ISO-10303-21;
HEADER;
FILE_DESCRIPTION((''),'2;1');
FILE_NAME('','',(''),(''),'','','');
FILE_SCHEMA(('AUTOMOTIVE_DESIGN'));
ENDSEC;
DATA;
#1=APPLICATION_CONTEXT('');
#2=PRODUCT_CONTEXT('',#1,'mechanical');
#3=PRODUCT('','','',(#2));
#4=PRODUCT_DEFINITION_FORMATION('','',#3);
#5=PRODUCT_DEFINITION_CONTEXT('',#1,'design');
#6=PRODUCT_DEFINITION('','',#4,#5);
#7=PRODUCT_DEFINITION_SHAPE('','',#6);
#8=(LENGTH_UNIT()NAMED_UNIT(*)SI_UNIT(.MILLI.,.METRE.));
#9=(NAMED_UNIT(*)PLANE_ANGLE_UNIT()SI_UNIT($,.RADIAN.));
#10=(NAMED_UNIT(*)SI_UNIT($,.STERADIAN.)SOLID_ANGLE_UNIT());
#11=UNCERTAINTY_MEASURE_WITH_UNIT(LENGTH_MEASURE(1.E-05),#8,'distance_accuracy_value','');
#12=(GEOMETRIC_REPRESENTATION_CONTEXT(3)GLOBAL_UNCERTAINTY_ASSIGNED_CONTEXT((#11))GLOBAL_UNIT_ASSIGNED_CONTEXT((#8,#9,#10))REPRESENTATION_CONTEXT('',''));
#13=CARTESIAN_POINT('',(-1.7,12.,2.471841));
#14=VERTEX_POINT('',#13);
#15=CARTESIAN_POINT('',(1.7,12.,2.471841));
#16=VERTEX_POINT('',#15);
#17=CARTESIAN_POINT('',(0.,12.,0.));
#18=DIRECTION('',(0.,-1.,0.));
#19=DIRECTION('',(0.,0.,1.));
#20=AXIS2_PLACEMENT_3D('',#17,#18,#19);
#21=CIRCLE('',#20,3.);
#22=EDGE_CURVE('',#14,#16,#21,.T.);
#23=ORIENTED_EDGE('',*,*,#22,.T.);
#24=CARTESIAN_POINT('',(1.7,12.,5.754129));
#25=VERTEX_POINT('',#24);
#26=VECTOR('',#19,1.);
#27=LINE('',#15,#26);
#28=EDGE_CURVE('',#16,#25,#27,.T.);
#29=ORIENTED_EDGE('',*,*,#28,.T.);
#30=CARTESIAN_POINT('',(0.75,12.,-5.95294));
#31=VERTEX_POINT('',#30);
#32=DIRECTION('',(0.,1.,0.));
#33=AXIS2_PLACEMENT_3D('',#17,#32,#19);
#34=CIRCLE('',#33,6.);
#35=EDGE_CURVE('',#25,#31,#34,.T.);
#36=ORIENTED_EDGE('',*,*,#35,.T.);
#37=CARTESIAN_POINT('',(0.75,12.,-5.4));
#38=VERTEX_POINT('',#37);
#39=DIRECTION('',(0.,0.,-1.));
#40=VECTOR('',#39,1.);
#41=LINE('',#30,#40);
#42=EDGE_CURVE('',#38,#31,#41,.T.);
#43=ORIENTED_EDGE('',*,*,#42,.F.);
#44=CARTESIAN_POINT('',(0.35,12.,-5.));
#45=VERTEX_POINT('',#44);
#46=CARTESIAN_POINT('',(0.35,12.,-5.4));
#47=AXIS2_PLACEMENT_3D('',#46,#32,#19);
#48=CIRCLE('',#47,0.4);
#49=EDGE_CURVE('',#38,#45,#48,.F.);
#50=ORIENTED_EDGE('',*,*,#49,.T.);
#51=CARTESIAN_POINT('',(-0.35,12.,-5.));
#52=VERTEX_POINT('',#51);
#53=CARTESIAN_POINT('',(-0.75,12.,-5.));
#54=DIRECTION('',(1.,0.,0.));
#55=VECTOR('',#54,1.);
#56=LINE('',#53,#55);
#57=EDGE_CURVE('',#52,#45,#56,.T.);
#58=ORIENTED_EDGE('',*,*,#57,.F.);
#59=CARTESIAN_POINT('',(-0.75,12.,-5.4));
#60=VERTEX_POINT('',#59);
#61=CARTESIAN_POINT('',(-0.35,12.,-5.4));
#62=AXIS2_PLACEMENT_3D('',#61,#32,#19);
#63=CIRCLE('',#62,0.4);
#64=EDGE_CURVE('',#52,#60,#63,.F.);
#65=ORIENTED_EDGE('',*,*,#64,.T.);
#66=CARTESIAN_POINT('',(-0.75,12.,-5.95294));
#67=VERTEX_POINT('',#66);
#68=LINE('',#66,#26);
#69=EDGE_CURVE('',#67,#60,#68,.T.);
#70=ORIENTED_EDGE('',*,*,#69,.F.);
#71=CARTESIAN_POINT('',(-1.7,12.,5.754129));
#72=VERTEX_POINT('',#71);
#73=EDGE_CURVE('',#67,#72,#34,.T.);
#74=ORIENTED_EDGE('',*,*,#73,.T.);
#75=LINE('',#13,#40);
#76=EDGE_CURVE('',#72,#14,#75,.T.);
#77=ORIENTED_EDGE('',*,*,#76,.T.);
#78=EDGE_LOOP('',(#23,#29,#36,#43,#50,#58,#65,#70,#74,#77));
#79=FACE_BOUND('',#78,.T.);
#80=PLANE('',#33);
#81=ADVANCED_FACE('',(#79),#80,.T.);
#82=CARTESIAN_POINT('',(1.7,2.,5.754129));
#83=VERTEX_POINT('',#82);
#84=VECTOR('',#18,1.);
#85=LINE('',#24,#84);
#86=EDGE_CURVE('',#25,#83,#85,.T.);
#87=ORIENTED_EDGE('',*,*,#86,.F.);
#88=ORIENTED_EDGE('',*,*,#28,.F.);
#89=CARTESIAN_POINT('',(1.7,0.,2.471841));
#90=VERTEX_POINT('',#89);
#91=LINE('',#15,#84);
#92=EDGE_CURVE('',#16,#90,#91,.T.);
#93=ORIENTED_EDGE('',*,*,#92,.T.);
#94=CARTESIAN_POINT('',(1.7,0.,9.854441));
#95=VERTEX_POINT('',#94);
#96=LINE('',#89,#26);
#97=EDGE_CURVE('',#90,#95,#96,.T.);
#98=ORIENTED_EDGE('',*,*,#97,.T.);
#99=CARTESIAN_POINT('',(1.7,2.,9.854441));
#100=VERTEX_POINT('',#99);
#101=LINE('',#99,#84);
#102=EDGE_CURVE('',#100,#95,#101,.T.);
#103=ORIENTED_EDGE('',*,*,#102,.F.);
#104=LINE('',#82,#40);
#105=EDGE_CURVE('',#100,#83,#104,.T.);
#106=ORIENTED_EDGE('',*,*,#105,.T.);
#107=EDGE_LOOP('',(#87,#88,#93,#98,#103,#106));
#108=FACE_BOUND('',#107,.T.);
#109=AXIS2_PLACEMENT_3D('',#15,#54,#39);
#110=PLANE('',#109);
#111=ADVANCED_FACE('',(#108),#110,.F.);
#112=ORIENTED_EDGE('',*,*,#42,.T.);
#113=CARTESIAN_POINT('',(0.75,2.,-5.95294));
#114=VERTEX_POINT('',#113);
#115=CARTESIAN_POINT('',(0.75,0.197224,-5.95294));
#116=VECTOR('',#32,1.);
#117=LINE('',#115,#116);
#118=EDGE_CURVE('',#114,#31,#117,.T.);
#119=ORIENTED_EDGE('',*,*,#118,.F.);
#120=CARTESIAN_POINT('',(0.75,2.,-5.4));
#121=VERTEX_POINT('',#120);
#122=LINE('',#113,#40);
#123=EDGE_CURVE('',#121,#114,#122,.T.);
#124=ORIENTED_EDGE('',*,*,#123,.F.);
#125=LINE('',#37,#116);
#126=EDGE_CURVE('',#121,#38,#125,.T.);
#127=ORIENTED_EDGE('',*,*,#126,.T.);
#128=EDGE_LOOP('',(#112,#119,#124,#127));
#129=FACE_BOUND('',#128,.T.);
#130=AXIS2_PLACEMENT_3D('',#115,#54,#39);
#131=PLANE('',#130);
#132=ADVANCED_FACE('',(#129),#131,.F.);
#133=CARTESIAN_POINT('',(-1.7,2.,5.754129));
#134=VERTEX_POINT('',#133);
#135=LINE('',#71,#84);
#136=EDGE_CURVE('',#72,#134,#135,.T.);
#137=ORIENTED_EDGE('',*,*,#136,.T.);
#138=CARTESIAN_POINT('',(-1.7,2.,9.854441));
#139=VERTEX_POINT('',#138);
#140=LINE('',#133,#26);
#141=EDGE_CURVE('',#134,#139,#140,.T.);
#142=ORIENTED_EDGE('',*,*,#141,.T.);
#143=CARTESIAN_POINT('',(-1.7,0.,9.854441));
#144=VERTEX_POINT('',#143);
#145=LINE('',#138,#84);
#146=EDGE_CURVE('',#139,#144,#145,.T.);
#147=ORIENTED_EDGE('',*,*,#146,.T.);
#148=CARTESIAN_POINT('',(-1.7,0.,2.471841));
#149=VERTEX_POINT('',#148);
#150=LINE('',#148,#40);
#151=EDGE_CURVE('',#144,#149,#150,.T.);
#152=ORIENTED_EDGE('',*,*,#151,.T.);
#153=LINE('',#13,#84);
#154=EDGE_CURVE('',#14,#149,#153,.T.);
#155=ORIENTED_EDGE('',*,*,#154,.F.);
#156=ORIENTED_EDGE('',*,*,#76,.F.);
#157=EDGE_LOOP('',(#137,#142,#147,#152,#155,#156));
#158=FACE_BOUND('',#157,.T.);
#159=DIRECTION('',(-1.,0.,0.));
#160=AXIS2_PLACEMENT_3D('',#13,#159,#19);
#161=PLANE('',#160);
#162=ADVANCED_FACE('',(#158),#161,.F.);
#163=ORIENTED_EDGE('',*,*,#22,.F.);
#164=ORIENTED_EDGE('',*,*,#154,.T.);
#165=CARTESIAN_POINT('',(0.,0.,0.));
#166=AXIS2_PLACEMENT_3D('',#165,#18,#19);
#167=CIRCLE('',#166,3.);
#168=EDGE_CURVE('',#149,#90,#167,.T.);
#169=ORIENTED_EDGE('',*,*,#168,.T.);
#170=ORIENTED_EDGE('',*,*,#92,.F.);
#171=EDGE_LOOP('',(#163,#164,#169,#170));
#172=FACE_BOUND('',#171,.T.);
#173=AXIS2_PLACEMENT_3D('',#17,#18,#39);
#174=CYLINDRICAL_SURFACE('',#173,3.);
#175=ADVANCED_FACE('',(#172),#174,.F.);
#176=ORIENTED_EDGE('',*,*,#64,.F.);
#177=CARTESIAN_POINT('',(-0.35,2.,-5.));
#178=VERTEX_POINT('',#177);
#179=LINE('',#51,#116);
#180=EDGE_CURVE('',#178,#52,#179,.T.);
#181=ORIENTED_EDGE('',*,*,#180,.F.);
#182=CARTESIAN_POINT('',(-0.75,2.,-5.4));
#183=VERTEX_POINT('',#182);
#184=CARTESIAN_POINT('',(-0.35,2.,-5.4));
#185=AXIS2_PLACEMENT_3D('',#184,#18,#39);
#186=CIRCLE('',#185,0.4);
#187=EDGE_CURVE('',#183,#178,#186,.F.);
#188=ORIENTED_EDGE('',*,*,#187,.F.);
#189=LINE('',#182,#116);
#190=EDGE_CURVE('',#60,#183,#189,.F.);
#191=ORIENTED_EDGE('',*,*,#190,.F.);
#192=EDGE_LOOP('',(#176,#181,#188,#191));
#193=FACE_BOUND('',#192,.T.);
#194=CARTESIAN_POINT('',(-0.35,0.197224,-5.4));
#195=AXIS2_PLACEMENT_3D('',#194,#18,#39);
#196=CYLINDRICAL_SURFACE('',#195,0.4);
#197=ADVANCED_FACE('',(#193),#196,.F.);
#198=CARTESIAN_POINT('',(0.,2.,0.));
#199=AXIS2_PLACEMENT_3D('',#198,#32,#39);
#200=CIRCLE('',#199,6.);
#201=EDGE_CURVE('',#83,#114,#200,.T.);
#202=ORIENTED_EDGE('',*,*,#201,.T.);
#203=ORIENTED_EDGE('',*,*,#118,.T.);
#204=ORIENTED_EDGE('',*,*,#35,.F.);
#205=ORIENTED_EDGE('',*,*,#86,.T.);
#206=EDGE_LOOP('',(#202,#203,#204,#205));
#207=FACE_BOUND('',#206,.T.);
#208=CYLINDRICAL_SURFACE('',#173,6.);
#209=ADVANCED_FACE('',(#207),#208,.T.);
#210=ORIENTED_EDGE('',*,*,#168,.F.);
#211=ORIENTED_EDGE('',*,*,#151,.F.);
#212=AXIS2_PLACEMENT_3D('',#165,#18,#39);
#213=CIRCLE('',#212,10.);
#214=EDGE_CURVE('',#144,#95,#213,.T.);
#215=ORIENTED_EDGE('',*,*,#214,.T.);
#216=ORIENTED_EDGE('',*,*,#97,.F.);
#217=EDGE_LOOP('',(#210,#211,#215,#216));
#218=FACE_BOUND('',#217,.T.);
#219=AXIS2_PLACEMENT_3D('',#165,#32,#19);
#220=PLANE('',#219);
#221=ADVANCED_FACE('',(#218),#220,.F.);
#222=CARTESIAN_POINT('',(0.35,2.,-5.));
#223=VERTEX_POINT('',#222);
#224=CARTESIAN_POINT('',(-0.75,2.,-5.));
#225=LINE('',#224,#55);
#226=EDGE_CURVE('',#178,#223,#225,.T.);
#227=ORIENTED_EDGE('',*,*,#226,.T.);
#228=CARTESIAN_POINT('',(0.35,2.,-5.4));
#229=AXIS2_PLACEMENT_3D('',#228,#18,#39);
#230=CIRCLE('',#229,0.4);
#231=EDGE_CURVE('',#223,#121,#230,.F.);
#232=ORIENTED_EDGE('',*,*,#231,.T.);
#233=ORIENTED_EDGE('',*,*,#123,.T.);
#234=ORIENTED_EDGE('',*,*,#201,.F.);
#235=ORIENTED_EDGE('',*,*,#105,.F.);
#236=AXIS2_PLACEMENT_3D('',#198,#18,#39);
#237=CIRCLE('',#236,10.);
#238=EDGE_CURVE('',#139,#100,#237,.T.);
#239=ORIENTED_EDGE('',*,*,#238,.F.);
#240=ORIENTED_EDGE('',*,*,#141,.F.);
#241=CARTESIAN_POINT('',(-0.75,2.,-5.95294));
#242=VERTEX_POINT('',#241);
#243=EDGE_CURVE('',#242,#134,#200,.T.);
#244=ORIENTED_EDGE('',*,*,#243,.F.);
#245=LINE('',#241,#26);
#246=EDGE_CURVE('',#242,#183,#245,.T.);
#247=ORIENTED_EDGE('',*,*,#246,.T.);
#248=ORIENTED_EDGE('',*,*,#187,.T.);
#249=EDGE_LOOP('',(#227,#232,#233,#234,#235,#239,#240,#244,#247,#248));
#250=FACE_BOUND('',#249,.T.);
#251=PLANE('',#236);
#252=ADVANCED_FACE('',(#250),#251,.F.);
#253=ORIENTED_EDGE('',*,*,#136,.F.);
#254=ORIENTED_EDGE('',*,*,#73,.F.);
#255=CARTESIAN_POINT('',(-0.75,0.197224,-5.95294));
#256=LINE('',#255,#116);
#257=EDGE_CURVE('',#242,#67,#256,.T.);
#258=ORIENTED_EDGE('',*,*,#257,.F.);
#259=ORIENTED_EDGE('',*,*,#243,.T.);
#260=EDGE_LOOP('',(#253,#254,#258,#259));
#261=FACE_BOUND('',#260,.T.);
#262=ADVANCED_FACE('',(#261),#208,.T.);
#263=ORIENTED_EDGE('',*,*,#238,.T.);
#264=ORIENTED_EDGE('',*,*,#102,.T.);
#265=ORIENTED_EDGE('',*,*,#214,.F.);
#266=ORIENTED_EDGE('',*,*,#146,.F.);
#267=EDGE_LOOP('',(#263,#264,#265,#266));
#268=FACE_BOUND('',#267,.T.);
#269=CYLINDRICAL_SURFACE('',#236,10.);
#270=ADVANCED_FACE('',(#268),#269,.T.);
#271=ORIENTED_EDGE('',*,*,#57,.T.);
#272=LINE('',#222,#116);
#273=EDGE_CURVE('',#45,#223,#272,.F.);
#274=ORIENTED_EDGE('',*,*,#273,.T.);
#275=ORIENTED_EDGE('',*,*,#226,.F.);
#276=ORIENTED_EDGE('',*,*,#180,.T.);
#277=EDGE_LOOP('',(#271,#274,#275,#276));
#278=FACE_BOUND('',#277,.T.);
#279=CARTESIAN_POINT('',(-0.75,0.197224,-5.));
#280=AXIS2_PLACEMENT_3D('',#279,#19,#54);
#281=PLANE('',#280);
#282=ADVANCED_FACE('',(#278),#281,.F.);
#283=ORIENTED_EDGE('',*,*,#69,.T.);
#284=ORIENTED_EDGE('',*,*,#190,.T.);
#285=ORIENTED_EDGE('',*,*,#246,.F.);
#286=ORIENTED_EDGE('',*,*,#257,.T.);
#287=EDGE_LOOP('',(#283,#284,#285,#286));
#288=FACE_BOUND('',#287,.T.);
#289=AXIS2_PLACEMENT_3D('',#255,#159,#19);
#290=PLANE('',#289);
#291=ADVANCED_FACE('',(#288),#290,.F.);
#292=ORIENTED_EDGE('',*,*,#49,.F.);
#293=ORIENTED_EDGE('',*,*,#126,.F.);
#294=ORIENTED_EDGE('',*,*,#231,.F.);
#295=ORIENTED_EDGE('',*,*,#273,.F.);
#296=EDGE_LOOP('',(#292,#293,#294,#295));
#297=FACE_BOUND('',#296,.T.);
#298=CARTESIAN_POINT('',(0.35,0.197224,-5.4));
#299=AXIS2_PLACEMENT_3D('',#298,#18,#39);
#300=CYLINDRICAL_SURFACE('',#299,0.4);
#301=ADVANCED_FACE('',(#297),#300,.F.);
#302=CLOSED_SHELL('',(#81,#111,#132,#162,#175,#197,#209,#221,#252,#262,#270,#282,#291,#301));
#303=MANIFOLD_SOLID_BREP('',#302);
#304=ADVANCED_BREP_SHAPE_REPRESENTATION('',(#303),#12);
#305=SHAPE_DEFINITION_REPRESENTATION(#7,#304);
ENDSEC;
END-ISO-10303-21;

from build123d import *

# Parameters (mm, degrees)
BOSS_EXTRUDE1_DEPTH = 12
BOSS_EXTRUDE2_DEPTH = 2
CUT_EXTRUDE1_DEPTH  = 10
FILLET1_R           = 0.4


with BuildPart() as part:
    # Sketch1 → Boss-Extrude1 (new body)
    with BuildSketch(Plane(origin=(0, 0, 0), x_dir=(1, 0, 0), z_dir=(0, 1, 0))):
        with BuildLine():
            Line((-1.7, -2.471841419), (-1.7, -5.754128952))
            ThreePointArc((-1.7, -5.754128952), (0, 6), (1.7, -5.754128952))
            Line((1.7, -5.754128952), (1.7, -2.471841419))
            ThreePointArc((1.7, -2.471841419), (0, 3), (-1.7, -2.471841419))
        make_face()
    extrude(amount=BOSS_EXTRUDE1_DEPTH)

    # Sketch2 → Boss-Extrude2 (add)
    with BuildSketch(Plane.XZ):
        with BuildLine():
            Line((-1.7, 5.754128952), (-1.7, 9.854440623))
            ThreePointArc((-1.7, 9.854440623), (0, -10), (1.7, 9.854440623))
            Line((1.7, 9.854440623), (1.7, 5.754128952))
            ThreePointArc((1.7, 5.754128952), (0, -6), (-1.7, 5.754128952))
        make_face()
    extrude(amount=-BOSS_EXTRUDE2_DEPTH)

    # Sketch3 → Cut-Extrude1 (cut)
    with BuildSketch(Plane(origin=(0, 12, 0), x_dir=(1, 0, 0), z_dir=(0, 1, 0))):
        with BuildLine():
            Line((-0.75, 5.95294045), (-0.75, 5))
            Line((-0.75, 5), (0.75, 5))
            Line((0.75, 5), (0.75, 5.95294045))
            ThreePointArc((0.75, 5.95294045), (0, 6), (-0.75, 5.95294045))
        make_face()
    extrude(amount=-CUT_EXTRUDE1_DEPTH, mode=Mode.SUBTRACT)

    # Fillet1
    fillet1_edges = [part.edges().sort_by_distance(p)[0] for p in [
        (-0.75, 7, -5),
        (0.75, 7, -5),
    ]]
    fillet(fillet1_edges, radius=FILLET1_R)


solid = part.part
